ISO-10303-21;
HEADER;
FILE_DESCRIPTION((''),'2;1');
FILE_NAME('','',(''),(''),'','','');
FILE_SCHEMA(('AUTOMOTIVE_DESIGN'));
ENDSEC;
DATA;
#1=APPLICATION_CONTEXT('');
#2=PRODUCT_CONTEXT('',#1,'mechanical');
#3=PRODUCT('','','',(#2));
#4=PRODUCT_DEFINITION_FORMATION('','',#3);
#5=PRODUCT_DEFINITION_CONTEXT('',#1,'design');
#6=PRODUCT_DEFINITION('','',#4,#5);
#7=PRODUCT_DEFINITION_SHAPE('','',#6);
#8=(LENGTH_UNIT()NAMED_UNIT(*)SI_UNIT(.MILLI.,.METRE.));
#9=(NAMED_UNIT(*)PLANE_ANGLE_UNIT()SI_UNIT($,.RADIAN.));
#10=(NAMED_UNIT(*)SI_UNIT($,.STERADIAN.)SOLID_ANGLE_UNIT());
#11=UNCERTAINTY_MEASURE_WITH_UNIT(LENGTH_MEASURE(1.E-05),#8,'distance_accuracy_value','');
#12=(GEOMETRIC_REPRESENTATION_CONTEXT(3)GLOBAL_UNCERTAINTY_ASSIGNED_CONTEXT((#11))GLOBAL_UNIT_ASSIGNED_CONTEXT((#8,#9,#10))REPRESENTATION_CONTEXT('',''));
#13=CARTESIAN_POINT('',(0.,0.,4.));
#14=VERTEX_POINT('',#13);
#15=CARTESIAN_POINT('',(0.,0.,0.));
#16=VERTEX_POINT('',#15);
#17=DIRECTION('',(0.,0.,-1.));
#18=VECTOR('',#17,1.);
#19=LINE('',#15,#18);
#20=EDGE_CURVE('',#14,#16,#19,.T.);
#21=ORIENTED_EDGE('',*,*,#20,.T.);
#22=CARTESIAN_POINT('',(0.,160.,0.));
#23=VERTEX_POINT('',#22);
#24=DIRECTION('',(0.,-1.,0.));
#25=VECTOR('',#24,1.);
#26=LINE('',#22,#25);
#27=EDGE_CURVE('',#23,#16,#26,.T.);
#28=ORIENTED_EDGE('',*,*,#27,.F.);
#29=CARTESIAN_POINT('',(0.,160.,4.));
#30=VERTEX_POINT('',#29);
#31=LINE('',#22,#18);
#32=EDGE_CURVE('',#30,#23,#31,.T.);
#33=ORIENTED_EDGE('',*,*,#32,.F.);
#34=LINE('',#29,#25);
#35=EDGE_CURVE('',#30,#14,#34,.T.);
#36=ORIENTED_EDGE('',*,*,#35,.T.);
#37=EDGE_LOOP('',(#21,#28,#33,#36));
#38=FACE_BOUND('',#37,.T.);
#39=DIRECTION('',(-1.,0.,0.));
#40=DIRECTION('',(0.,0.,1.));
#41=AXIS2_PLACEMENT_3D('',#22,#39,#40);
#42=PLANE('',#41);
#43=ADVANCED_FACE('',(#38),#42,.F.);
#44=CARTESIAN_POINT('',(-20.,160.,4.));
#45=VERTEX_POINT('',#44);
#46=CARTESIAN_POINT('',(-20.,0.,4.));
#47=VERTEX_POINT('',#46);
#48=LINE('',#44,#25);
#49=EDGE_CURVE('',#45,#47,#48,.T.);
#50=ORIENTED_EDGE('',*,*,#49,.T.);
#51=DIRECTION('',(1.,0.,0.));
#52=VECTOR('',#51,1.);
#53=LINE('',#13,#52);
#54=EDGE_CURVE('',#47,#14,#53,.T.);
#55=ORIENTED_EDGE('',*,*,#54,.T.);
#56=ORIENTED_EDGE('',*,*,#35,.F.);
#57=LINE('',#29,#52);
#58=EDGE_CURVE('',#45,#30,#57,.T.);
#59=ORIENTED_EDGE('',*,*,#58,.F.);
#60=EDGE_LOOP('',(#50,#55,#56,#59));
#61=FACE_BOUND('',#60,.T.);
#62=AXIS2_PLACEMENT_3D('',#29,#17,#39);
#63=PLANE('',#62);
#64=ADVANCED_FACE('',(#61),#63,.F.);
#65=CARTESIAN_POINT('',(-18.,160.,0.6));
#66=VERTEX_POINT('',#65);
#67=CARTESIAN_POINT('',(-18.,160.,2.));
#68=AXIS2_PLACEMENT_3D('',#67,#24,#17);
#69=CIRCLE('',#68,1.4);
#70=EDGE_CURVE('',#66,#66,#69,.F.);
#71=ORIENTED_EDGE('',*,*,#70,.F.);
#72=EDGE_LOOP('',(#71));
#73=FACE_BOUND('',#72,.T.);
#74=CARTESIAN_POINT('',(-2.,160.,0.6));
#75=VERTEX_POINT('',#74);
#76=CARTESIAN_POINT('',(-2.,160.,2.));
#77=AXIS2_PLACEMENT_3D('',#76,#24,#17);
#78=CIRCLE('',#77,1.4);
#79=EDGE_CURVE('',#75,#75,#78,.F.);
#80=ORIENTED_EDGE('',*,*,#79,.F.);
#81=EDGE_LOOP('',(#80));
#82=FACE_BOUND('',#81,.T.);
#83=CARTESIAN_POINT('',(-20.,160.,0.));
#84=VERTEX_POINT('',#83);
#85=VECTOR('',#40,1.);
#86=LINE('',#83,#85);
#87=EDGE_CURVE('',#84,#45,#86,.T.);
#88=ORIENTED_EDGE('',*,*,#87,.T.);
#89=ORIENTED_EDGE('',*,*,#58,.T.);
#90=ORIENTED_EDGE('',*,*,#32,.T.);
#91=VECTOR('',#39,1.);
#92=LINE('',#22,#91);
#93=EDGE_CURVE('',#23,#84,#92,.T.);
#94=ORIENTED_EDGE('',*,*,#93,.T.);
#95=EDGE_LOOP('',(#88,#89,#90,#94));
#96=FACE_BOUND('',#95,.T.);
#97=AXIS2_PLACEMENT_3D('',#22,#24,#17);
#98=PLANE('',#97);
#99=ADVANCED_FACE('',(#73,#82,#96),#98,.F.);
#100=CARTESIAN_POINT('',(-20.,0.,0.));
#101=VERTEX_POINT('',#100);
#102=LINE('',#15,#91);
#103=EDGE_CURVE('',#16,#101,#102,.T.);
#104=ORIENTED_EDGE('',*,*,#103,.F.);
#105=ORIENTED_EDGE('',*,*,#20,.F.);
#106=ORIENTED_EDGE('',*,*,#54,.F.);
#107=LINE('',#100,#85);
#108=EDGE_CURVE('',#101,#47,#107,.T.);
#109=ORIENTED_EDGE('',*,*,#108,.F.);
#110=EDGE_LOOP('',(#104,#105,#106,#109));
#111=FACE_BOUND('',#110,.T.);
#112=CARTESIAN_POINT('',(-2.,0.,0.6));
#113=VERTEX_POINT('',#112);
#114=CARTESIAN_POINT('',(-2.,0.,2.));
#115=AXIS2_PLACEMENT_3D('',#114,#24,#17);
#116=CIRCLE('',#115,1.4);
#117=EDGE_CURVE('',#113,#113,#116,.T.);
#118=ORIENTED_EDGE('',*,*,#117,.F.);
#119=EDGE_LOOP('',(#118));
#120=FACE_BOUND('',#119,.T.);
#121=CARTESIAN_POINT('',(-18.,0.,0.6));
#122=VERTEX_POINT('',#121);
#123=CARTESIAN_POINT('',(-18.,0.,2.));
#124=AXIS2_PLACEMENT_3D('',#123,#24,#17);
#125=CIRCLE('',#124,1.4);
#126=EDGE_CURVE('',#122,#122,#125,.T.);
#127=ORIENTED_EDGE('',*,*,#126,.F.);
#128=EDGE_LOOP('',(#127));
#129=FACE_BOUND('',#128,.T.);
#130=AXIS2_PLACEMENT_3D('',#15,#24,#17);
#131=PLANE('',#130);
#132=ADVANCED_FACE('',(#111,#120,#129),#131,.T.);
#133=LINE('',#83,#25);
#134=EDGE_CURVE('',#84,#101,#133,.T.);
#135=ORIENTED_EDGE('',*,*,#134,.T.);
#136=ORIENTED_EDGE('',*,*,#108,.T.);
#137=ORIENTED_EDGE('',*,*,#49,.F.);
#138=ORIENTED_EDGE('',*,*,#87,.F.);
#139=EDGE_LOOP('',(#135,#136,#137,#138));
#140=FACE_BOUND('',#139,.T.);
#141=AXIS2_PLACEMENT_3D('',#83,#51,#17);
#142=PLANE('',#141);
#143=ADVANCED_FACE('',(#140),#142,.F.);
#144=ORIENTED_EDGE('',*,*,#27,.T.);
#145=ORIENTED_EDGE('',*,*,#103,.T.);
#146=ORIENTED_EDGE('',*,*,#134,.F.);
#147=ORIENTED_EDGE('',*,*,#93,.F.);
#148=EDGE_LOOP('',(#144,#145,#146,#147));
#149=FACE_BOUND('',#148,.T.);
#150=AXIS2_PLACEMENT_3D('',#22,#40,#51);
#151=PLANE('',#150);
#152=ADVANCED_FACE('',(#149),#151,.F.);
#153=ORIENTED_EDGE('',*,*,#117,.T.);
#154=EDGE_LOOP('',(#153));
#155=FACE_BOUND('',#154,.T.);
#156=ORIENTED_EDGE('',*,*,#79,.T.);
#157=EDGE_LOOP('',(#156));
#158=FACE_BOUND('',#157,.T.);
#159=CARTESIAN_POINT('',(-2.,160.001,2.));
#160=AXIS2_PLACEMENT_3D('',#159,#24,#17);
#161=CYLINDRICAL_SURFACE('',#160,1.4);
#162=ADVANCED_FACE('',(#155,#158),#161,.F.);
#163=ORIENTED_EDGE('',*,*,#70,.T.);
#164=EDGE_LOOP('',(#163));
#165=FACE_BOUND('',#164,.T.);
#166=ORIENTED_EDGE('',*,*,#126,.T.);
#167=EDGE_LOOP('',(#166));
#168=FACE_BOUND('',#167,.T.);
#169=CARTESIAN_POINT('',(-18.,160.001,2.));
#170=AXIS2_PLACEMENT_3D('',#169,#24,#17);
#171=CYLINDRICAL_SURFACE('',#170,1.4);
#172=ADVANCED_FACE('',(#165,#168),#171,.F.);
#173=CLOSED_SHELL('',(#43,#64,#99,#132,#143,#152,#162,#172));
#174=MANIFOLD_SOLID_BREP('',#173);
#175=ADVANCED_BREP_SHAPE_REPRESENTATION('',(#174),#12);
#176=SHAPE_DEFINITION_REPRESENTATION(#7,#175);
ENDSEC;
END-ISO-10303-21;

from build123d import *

# Parameters (mm, degrees)
SKETCH1_W           = 20
SKETCH1_H           = 4
BOSS_EXTRUDE1_DEPTH = 160
CUT_EXTRUDE1_REACH  = 163.295
SKETCH2_R           = 1.4


with BuildPart() as part:
    # Sketch1 → Boss-Extrude1 (new body)
    with BuildSketch(Plane(origin=(0, 0, 0), x_dir=(1, 0, 0), z_dir=(0, 1, 0))):
        with Locations((-10, -2)):
            Rectangle(SKETCH1_W, SKETCH1_H)
    extrude(amount=BOSS_EXTRUDE1_DEPTH)

    # Sketch2 → Cut-Extrude1 (cut, up to next)
    with BuildSketch(Plane(origin=(0, 0, 0), x_dir=(-1, 0, 0), z_dir=(0, -1, 0)), mode=Mode.PRIVATE) as cut_extrude1_sk1:
        with Locations(Location((18, -2, 0), (0, 0, 90))):
            Circle(SKETCH2_R)
    cut_extrude1_tool1 = extrude(cut_extrude1_sk1.sketch, amount=-CUT_EXTRUDE1_REACH, mode=Mode.PRIVATE) & part.part
    # Sketch2 → Cut-Extrude1 (cut, up to next)
    with BuildSketch(Plane(origin=(0, 0, 0), x_dir=(-1, 0, 0), z_dir=(0, -1, 0)), mode=Mode.PRIVATE) as cut_extrude1_sk2:
        with Locations(Location((2, -2, 0), (0, 0, 90))):
            Circle(SKETCH2_R)
    cut_extrude1_tool2 = extrude(cut_extrude1_sk2.sketch, amount=-CUT_EXTRUDE1_REACH, mode=Mode.PRIVATE) & part.part
    add(cut_extrude1_tool1.solids().sort_by_distance((-18, 0, 2))[0], mode=Mode.SUBTRACT)
    add(cut_extrude1_tool2.solids().sort_by_distance((-2, 0, 2))[0], mode=Mode.SUBTRACT)


solid = part.part
